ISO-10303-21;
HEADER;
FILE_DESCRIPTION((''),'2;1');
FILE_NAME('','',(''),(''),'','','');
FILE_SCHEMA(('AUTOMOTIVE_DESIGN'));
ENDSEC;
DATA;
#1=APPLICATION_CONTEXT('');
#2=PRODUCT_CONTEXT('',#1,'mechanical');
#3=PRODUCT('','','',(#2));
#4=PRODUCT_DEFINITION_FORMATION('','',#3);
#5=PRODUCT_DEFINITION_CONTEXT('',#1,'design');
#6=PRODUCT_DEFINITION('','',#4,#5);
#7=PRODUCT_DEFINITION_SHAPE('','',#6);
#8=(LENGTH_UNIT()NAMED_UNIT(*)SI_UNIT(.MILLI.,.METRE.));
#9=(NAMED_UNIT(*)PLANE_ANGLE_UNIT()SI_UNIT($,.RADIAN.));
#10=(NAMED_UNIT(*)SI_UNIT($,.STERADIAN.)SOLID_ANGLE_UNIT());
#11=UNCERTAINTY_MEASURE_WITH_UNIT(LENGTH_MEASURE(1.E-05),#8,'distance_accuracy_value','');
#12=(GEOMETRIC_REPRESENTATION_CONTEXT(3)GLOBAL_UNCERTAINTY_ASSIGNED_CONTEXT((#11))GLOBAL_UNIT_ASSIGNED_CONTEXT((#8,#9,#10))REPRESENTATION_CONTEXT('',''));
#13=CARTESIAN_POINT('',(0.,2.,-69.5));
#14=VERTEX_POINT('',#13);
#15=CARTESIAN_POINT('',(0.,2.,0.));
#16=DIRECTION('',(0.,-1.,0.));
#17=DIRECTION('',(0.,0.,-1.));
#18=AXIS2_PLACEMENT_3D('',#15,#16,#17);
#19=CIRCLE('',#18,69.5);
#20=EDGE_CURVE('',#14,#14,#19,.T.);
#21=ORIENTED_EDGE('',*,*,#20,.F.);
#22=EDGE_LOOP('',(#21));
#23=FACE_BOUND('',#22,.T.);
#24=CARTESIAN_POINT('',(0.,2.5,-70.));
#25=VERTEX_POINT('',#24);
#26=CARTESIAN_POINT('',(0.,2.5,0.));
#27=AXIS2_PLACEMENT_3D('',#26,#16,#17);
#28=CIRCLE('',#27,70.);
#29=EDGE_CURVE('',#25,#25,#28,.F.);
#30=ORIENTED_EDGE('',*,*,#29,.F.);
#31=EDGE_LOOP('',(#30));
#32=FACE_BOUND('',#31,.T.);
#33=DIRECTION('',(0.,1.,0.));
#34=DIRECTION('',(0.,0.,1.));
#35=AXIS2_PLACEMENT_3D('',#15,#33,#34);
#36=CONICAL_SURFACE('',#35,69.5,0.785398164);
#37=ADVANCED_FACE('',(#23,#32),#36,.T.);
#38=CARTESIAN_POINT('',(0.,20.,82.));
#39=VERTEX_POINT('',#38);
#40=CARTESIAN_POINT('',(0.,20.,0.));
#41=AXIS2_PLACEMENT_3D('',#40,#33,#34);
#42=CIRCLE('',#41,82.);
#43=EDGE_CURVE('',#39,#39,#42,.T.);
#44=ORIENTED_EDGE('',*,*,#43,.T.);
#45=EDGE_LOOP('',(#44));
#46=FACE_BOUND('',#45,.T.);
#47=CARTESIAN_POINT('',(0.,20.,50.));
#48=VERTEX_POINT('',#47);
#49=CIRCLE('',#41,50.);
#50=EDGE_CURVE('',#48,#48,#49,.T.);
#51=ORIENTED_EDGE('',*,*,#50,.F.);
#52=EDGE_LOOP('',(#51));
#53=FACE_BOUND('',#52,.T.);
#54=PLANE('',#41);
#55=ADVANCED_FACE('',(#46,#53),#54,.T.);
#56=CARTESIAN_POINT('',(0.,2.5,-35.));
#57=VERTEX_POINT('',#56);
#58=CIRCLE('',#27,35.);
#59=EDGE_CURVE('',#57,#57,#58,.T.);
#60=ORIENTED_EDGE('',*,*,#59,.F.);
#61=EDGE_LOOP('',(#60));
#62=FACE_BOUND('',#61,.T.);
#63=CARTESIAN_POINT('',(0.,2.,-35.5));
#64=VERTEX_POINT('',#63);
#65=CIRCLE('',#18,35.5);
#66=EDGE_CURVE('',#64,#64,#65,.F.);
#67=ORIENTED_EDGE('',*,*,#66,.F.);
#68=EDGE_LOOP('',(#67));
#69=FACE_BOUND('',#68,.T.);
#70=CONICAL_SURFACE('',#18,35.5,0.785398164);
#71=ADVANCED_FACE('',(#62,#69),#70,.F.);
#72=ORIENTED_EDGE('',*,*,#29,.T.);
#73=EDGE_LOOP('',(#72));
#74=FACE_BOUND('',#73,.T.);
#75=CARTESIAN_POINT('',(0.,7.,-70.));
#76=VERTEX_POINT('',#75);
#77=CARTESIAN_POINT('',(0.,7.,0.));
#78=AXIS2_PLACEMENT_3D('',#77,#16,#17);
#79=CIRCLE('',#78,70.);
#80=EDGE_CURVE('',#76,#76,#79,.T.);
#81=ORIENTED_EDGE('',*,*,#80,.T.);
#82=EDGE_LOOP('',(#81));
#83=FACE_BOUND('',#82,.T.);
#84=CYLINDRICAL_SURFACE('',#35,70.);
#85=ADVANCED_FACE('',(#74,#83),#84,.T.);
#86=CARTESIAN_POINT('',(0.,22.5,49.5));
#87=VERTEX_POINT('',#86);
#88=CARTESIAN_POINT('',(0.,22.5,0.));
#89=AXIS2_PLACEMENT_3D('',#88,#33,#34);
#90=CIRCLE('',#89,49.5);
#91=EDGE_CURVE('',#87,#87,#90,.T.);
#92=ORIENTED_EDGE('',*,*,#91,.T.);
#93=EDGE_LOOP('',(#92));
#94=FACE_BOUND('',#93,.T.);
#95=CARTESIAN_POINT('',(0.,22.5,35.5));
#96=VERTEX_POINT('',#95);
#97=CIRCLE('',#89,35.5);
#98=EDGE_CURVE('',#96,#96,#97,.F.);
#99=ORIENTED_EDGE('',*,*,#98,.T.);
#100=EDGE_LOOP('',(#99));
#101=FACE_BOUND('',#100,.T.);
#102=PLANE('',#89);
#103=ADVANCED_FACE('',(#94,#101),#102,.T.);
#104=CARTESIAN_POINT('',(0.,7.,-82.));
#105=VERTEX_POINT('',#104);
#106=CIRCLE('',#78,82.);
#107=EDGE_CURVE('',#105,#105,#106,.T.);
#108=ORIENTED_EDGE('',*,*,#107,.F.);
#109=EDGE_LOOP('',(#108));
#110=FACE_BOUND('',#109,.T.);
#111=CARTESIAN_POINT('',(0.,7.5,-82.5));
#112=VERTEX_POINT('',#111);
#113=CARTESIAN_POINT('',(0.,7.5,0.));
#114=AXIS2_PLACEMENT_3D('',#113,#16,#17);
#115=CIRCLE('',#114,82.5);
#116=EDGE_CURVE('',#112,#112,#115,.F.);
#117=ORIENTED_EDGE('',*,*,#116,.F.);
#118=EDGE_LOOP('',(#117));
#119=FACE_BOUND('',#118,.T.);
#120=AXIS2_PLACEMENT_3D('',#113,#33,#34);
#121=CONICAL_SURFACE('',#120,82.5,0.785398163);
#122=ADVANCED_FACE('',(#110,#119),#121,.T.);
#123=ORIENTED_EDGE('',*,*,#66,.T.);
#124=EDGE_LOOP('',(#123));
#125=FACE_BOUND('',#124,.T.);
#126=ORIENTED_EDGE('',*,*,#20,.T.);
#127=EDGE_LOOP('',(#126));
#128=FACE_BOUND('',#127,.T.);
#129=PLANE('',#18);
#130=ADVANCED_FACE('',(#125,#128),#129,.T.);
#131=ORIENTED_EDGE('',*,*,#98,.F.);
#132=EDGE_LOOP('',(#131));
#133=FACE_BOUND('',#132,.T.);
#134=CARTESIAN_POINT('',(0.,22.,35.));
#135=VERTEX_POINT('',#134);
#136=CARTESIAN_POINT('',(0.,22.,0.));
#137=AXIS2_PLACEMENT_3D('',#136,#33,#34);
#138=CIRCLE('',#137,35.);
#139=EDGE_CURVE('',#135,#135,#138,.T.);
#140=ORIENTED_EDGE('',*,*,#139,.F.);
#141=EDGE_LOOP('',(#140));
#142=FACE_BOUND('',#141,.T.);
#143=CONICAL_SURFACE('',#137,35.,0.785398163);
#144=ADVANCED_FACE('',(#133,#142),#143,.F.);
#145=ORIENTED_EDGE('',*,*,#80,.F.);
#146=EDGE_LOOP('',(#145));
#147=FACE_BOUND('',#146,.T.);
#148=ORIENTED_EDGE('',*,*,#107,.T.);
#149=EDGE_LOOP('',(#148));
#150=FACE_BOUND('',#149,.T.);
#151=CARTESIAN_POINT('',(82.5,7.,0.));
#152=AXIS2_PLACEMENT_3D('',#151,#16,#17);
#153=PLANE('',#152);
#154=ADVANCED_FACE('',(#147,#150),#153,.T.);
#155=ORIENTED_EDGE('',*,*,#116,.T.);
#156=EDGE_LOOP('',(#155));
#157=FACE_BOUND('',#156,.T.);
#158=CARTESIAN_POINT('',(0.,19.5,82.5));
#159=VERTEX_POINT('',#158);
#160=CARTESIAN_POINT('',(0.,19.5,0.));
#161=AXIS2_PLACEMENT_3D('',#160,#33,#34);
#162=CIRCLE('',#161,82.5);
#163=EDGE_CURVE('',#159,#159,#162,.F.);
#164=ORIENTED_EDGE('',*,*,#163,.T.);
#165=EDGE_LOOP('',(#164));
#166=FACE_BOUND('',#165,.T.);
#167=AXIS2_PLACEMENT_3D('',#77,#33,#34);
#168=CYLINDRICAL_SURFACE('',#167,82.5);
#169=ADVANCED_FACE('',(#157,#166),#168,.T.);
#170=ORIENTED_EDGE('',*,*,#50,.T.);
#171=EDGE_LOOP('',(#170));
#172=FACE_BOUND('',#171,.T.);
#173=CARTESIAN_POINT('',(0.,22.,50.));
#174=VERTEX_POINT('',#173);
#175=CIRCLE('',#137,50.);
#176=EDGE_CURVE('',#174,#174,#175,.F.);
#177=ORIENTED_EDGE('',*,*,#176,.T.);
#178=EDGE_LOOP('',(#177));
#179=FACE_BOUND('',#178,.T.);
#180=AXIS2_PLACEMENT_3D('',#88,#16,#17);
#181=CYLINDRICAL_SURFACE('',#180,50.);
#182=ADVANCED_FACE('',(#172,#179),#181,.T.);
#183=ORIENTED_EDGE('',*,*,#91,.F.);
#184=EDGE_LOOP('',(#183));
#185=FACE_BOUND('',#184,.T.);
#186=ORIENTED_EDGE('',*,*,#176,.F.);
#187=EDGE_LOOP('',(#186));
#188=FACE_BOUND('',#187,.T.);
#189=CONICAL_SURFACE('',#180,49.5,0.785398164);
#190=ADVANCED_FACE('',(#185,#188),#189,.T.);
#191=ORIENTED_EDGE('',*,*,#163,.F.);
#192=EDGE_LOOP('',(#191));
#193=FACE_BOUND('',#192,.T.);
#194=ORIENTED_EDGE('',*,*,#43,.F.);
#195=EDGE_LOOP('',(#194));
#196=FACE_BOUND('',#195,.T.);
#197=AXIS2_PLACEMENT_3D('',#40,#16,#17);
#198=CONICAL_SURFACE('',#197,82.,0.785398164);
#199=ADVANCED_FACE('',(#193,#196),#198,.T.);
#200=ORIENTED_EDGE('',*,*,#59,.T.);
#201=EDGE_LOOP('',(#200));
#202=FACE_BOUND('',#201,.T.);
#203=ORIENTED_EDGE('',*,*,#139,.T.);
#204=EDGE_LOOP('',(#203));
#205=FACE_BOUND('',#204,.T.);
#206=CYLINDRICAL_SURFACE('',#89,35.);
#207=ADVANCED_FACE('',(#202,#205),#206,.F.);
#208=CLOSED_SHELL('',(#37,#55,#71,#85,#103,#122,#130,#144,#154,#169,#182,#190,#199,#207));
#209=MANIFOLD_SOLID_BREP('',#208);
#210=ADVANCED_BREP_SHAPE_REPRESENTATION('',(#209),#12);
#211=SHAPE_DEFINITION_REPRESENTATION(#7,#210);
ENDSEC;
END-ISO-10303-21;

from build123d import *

# Parameters (mm, degrees)
SKETCH_1_W      = 82.5
SKETCH_1_H      = 13
SKETCH_2_R      = 70
EXTRUDE_1_DEPTH = 5
SKETCH_3_R      = 50
EXTRUDE_2_DEPTH = 2.5
HOLE_WIZARD_2_D = 70
CHAMFER_1_SIZE  = 0.5


with BuildPart() as part:
    # 草圖1 → 旋轉1 (revolve)
    with BuildSketch(Plane(origin=(0, 0, 0), x_dir=(-1, 0, 0), z_dir=(0, 0, -1)), mode=Mode.PRIVATE) as revolve_1_sk:
        with Locations((-41.25, 13.5)):
            Rectangle(SKETCH_1_W, SKETCH_1_H)
    revolve(revolve_1_sk.sketch.rotate(Axis((0, 7, 0), (0, 1, 0)), 270), axis=Axis((0, 7, 0), (0, 1, 0)))

    # 草圖2 → 填料-伸長1 (add)
    with BuildSketch(Plane.XZ.offset(-7)):
        with Locations(Location((0, 0, 0), (0, 0, 270))):
            Circle(SKETCH_2_R)
    extrude(amount=EXTRUDE_1_DEPTH)

    # 草圖3 → 填料-伸長2 (add)
    with BuildSketch(Plane(origin=(0, 20, 0), x_dir=(-1, 0, 0), z_dir=(0, 1, 0))):
        with Locations(Location((0, 0, 0), (0, 0, 90))):
            Circle(SKETCH_3_R)
    extrude(amount=EXTRUDE_2_DEPTH)

    # 鑽孔2 (through all)
    with Locations(Plane(origin=(0, 22.5, 0), x_dir=(1, 0, 0), z_dir=(0, 1, 0))):
        with Locations((0, 0)):
            Hole(HOLE_WIZARD_2_D / 2)

    # 導角1
    chamfer_1_edges = [part.edges().sort_by_distance(p)[0] for p in [
        (0, 2, 70),
        (0, 22.5, -50),
        (35, 22.5, 0),
        (35, 2, 0),
        (0, 20, -82.5),
        (0, 7, -82.5),
    ]]
    chamfer(chamfer_1_edges, length=CHAMFER_1_SIZE)


solid = part.part
